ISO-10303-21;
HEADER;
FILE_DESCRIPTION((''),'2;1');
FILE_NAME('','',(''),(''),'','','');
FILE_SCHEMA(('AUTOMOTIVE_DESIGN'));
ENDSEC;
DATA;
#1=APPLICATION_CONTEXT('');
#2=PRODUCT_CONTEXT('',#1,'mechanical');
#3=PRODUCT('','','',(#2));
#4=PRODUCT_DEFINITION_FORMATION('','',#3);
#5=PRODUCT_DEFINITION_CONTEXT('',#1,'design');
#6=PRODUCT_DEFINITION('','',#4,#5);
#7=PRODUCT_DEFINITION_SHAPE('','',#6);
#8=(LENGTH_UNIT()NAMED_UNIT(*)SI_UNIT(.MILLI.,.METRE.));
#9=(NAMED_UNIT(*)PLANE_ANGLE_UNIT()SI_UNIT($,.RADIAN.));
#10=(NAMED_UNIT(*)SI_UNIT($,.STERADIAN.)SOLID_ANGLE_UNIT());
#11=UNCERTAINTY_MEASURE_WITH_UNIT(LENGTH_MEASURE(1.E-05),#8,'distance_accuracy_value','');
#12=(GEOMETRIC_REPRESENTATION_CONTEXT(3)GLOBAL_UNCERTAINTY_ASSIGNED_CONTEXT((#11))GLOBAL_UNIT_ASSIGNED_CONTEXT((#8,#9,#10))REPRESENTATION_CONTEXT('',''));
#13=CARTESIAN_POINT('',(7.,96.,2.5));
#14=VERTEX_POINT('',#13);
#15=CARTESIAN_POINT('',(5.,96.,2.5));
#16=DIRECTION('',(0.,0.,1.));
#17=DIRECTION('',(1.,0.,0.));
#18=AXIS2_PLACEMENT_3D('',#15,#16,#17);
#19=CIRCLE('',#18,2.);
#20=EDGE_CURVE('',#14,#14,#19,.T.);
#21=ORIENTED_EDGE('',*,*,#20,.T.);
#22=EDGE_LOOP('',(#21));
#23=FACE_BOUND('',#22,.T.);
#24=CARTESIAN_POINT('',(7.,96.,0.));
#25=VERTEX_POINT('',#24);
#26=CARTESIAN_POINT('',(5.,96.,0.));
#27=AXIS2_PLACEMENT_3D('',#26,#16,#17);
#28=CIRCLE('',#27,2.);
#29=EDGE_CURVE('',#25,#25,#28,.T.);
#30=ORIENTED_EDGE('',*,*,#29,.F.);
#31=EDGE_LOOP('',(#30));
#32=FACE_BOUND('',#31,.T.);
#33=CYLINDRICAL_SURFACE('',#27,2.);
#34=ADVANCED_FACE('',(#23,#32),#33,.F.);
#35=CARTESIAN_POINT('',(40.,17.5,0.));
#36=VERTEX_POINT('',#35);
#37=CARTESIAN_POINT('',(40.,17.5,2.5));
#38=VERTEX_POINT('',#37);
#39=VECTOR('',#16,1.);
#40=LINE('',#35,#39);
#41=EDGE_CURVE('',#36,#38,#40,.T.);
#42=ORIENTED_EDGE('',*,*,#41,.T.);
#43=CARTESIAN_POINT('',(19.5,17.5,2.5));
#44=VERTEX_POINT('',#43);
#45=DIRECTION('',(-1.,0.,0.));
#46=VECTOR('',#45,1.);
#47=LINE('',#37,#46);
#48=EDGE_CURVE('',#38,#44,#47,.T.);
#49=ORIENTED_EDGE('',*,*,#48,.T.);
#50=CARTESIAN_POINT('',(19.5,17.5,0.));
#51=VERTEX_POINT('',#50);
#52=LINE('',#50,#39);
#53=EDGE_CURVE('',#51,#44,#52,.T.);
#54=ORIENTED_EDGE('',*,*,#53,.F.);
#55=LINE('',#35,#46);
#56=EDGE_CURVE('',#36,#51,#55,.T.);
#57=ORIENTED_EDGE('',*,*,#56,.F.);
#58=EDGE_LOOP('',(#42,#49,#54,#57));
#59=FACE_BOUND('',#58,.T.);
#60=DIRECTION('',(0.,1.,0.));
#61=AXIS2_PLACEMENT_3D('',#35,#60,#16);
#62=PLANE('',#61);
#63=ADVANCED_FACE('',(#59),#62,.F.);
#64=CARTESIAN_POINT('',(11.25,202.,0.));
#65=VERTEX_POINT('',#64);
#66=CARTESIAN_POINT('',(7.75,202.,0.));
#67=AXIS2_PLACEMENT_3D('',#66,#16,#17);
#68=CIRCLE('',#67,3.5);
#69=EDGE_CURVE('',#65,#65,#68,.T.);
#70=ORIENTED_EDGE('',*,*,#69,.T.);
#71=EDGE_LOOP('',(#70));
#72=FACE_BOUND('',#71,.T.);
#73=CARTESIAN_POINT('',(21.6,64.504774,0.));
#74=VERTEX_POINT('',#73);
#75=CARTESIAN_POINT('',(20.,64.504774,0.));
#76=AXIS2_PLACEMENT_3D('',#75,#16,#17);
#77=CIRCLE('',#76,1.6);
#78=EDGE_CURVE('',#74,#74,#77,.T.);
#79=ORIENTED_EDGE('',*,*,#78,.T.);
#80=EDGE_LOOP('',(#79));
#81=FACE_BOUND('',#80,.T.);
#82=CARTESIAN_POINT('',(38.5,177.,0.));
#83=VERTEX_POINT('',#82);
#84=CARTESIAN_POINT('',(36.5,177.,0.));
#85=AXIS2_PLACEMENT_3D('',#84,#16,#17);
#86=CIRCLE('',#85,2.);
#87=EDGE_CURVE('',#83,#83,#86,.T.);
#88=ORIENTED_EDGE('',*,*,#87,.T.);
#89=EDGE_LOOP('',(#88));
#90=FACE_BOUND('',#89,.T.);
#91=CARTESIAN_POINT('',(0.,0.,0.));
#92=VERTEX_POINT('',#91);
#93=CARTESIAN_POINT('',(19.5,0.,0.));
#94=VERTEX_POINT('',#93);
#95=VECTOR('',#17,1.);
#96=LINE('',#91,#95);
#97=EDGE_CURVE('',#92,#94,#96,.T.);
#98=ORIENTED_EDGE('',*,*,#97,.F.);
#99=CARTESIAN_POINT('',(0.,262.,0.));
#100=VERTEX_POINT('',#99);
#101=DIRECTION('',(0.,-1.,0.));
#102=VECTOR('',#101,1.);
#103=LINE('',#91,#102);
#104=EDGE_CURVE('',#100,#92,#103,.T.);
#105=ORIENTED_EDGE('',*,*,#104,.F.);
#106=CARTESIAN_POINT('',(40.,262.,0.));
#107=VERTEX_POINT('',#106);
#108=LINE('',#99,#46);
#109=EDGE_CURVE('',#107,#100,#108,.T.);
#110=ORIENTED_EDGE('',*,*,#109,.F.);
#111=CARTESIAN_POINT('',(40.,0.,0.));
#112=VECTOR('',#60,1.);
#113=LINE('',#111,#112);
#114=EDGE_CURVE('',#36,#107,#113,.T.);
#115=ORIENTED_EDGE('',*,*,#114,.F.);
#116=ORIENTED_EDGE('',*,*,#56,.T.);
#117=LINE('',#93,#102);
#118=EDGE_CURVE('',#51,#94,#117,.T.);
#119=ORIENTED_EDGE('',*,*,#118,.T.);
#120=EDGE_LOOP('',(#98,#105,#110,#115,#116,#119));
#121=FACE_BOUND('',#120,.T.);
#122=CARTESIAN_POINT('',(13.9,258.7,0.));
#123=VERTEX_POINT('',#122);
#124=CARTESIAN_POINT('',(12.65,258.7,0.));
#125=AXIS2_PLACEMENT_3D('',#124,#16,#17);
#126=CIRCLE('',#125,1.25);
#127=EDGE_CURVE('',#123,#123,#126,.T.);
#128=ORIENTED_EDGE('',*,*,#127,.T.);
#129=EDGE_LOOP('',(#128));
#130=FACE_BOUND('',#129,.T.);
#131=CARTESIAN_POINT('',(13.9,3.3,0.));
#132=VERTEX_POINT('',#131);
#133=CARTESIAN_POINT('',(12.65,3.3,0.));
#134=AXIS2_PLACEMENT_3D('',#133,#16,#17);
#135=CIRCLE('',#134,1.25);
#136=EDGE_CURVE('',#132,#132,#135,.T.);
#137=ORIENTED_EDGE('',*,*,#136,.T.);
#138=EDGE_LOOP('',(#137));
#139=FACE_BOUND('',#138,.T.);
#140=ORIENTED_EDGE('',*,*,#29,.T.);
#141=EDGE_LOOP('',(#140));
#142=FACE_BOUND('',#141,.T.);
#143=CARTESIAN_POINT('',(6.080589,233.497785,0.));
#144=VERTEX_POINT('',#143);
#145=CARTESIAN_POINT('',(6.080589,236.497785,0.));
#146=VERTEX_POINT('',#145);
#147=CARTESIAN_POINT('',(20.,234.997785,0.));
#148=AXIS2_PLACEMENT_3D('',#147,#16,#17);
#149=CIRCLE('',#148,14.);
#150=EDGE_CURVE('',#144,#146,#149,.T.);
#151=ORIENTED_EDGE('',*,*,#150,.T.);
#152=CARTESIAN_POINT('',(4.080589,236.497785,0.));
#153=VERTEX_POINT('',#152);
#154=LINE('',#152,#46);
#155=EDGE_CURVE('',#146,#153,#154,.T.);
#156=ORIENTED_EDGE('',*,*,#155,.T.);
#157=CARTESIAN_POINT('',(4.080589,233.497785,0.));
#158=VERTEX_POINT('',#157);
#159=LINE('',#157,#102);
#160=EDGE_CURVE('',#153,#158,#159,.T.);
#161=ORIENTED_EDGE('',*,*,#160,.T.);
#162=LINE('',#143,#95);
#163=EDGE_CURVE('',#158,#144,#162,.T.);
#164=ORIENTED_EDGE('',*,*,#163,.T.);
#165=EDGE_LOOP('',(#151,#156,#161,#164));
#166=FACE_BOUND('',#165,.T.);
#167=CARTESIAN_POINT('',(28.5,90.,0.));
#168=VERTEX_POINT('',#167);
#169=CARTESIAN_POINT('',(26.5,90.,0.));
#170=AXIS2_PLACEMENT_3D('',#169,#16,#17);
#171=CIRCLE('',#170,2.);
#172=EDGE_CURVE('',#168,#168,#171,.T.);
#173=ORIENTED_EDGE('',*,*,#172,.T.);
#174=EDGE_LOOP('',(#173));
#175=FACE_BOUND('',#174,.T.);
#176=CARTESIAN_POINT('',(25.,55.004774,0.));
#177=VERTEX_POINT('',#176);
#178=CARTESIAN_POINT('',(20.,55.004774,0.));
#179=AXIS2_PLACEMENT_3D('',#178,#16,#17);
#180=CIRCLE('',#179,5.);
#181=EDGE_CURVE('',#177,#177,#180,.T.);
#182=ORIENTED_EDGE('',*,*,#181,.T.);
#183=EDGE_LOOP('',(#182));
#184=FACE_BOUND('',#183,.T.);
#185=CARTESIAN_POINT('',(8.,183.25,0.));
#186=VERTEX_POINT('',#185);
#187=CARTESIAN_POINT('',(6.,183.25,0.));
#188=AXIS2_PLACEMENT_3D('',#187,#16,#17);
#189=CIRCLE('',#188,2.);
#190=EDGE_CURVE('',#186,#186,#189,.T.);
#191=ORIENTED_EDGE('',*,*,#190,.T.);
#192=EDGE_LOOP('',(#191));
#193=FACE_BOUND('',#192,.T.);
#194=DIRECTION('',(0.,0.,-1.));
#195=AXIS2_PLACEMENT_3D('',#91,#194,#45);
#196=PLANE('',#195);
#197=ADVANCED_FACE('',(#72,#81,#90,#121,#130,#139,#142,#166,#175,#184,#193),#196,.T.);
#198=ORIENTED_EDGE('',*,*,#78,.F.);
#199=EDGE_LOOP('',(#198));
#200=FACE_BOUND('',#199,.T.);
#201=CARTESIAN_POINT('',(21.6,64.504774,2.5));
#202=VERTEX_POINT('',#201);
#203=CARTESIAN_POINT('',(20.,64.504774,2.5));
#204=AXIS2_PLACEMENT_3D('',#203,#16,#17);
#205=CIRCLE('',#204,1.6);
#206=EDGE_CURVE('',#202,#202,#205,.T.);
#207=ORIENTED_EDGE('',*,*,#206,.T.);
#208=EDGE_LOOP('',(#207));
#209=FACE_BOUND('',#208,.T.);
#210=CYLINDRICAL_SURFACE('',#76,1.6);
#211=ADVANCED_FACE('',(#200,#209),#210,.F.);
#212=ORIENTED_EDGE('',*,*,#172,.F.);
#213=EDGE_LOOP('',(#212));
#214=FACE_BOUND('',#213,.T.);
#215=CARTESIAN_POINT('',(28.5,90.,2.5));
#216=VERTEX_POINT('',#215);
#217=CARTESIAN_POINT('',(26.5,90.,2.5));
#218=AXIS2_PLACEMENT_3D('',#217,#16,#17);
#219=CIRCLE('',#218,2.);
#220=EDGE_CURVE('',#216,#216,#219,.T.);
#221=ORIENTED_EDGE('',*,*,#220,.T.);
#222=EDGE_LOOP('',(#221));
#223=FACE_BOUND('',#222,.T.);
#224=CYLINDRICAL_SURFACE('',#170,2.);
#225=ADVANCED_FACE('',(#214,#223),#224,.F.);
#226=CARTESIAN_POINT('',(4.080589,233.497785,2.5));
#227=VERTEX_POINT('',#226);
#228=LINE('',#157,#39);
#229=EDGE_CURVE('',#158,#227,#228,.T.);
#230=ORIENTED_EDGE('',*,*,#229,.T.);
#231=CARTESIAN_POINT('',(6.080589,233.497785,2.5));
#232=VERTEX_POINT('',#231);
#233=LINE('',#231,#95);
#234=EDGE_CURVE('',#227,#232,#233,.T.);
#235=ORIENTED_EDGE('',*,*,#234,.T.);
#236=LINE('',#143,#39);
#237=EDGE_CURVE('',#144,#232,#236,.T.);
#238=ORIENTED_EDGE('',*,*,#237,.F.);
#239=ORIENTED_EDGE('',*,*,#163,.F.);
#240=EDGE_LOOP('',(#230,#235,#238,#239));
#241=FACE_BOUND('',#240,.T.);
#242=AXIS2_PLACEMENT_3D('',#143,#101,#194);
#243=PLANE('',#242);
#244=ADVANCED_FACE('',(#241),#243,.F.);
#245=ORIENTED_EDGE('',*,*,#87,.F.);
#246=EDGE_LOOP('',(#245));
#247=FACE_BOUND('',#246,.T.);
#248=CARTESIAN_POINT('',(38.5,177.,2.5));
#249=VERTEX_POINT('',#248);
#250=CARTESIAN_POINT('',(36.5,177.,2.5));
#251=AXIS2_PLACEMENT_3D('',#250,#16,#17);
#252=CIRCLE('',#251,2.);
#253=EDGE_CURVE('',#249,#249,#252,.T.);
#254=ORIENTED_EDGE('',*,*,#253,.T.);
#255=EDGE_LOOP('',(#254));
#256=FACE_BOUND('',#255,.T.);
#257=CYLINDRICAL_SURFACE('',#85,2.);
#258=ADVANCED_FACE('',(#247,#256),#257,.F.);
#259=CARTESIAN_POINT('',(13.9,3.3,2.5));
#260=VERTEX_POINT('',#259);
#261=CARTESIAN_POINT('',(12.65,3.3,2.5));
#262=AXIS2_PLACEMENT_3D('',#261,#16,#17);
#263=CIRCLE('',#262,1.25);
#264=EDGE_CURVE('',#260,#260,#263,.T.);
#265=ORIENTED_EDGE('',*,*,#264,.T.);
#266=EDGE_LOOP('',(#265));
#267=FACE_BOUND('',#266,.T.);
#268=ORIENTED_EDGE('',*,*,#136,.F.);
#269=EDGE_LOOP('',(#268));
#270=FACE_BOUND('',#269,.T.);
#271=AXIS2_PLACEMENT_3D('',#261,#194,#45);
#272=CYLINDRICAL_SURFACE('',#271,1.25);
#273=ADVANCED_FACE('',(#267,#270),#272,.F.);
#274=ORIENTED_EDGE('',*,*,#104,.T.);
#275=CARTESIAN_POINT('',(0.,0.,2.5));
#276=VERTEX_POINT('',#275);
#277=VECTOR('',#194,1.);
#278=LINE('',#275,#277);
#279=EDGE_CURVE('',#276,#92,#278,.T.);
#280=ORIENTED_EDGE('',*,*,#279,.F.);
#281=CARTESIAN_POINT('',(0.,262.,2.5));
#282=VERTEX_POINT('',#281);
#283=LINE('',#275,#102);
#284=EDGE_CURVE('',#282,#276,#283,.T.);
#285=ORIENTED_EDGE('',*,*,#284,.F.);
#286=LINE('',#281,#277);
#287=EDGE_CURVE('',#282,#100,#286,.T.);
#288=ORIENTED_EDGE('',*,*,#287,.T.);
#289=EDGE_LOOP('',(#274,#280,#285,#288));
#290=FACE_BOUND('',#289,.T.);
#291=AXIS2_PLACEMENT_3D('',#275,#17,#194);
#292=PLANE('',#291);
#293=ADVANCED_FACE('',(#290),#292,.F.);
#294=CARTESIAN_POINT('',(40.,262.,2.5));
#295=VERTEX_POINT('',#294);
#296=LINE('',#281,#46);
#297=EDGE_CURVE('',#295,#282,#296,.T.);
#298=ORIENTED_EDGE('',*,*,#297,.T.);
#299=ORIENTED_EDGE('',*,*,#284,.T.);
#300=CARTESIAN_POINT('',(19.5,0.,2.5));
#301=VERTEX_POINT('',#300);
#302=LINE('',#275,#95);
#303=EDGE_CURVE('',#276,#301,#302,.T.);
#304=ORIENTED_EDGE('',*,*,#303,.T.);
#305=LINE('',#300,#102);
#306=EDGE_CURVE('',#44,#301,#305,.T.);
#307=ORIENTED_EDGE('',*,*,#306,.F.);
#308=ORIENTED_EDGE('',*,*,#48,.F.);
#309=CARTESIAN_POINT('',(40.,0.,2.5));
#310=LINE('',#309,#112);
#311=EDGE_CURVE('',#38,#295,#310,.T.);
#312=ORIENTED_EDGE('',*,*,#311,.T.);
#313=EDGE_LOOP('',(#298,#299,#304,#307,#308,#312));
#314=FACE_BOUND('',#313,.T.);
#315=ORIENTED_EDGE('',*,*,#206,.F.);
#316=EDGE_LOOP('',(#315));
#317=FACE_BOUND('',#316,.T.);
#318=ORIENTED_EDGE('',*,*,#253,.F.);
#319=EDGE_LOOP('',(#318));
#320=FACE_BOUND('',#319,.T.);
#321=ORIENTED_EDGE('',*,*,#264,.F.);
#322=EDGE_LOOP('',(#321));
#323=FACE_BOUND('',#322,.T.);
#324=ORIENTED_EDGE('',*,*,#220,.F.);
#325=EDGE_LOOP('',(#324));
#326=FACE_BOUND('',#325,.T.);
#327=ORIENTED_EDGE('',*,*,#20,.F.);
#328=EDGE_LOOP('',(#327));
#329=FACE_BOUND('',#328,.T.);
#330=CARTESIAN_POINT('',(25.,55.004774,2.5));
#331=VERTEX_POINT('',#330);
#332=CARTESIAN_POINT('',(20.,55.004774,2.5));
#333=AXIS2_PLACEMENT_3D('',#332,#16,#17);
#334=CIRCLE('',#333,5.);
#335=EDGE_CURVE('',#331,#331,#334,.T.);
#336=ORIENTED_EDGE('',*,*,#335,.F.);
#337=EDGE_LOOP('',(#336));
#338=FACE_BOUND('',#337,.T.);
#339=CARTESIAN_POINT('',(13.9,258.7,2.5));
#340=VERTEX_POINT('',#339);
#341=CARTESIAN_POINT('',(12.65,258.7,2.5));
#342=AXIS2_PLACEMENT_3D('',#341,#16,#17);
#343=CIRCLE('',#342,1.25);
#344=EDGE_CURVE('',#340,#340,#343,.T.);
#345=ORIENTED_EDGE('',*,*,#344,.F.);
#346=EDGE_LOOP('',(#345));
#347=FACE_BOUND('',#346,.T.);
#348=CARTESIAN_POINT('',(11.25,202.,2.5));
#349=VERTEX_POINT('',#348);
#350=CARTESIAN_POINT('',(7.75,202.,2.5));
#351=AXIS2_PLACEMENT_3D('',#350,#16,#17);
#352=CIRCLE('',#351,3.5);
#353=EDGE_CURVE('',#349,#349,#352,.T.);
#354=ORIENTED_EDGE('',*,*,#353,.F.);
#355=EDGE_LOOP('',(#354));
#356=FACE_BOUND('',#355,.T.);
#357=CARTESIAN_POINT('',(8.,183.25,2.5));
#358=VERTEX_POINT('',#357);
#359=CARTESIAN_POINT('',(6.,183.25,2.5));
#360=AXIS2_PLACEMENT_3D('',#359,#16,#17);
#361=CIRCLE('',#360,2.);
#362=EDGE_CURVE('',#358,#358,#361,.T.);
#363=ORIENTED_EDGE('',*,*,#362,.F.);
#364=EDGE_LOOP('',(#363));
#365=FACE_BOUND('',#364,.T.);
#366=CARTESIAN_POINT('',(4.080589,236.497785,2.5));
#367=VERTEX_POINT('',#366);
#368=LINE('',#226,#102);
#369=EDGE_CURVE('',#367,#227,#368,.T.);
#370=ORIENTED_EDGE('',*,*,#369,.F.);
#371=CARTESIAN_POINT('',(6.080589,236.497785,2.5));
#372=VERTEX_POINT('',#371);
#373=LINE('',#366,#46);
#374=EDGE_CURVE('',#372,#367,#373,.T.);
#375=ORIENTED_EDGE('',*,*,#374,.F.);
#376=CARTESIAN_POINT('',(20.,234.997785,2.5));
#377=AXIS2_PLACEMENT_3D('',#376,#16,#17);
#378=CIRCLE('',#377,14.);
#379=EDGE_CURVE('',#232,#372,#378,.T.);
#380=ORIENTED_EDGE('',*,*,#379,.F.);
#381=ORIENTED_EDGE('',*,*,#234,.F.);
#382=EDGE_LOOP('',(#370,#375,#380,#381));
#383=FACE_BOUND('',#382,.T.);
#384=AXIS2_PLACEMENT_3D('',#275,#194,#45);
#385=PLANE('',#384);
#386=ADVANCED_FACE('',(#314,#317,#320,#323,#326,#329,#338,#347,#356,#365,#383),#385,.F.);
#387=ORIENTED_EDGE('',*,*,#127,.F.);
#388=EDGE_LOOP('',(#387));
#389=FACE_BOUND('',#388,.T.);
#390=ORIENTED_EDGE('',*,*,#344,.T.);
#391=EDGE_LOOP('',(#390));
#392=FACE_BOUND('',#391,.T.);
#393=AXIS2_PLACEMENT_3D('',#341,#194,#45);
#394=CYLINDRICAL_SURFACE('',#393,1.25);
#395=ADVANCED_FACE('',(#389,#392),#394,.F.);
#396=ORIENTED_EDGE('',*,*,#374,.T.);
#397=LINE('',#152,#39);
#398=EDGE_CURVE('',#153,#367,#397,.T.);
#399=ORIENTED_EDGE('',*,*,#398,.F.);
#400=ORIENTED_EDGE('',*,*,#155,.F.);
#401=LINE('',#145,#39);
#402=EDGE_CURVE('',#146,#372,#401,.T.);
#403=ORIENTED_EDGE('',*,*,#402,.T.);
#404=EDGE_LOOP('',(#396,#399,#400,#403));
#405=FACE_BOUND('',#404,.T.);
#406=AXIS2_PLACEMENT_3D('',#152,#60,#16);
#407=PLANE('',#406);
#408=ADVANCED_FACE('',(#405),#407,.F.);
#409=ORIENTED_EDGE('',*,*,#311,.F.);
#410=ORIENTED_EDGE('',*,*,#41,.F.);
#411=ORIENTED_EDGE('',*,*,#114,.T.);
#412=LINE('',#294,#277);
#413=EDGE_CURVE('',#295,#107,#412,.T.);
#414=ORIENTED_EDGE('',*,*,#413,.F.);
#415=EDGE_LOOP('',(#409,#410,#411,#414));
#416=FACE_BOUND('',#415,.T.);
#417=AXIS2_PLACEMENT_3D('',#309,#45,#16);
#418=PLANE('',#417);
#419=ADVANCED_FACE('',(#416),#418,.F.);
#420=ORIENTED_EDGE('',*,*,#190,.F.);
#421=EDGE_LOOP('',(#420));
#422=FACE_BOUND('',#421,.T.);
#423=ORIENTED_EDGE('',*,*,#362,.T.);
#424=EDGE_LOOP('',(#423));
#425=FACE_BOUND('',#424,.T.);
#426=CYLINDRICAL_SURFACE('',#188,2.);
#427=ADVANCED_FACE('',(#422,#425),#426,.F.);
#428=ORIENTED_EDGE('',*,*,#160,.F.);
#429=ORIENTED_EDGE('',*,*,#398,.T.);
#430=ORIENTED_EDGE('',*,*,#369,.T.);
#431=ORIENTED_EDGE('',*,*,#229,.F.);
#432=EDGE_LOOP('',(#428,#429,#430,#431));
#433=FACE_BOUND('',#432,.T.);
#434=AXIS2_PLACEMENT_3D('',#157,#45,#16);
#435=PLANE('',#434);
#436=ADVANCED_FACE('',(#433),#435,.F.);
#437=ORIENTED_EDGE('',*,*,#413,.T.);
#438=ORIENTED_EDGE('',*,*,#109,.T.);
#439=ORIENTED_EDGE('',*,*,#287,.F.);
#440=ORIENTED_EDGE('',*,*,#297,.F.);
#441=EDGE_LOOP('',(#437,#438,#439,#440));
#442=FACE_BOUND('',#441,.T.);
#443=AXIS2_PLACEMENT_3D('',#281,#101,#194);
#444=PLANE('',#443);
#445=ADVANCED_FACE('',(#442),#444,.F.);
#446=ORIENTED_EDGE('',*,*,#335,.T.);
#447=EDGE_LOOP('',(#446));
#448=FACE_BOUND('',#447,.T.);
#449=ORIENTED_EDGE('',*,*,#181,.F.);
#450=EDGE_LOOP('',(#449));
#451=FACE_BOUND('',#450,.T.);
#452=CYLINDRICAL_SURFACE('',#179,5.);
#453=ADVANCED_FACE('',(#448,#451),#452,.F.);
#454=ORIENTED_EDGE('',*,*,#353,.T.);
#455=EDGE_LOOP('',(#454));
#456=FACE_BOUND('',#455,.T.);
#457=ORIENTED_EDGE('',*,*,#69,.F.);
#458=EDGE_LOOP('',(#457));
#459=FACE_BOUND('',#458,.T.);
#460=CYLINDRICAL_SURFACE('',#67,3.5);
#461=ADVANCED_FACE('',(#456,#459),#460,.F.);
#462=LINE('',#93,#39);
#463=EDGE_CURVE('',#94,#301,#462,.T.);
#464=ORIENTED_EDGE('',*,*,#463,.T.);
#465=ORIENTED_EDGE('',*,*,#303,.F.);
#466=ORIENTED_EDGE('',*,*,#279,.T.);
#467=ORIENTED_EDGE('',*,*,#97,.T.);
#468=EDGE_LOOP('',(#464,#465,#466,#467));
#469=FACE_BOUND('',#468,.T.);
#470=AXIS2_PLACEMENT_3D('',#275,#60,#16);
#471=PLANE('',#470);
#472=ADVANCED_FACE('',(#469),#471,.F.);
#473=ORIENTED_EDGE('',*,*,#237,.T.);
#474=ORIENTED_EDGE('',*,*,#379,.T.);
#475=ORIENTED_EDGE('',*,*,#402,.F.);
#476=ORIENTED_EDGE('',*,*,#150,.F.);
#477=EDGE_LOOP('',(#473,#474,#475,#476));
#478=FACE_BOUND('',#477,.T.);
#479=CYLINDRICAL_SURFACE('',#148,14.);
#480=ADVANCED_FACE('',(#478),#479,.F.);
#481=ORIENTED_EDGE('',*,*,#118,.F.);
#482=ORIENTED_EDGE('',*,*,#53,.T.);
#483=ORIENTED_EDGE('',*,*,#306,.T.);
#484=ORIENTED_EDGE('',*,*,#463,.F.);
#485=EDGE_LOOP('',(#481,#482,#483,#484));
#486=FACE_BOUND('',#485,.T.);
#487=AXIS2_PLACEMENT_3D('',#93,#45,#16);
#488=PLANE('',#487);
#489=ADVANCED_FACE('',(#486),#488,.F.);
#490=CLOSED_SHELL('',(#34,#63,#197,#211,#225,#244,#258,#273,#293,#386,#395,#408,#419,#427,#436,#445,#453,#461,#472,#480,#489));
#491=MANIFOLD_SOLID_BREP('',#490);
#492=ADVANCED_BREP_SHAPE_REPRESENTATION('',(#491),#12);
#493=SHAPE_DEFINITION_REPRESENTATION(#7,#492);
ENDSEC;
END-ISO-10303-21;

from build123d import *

# Parameters (mm, degrees)
SKETCH1_W           = 40
SKETCH1_H           = 262
SKETCH1_R           = 1.25
BOSS_EXTRUDE1_DEPTH = 2.5
SKETCH2_R           = 5
SKETCH2_R_2         = 1.6
SKETCH2_R_3         = 2
SKETCH2_R_4         = 3.5
CUT_EXTRUDE1_DEPTH  = 3.5
SKETCH3_W           = 20.5
SKETCH3_H           = 17.5
CUT_EXTRUDE2_DEPTH  = 3.5


with BuildPart() as part:
    # Sketch1 → Boss-Extrude1 (new body)
    with BuildSketch(Plane.XY):
        with Locations((20, 131)):
            Rectangle(SKETCH1_W, SKETCH1_H)
        with Locations((12.65, 258.7)):
            Circle(SKETCH1_R, mode=Mode.SUBTRACT)
        with Locations((12.65, 3.3)):
            Circle(SKETCH1_R, mode=Mode.SUBTRACT)
    extrude(amount=BOSS_EXTRUDE1_DEPTH)

    # Sketch2 → Cut-Extrude1 (cut, through all)
    with BuildSketch(Plane.XY.offset(2.5)):
        with Locations((20, 55.004773675)):
            Circle(SKETCH2_R)
        with Locations((20, 64.504773675)):
            Circle(SKETCH2_R_2)
        with Locations((5, 96)):
            Circle(SKETCH2_R_3)
        with Locations((26.5, 90)):
            Circle(SKETCH2_R_3)
        with Locations((36.5, 177)):
            Circle(SKETCH2_R_3)
        with Locations((6, 183.25)):
            Circle(SKETCH2_R_3)
        with Locations((7.75, 202)):
            Circle(SKETCH2_R_4)
        with BuildLine():
            Line((6.080589093, 233.49778539), (4.080589089, 233.49778539))
            Line((4.080589089, 233.49778539), (4.080589089, 236.49778539))
            Line((4.080589089, 236.49778539), (6.080589093, 236.49778539))
            ThreePointArc((6.080589093, 236.49778539), (34, 234.99778539), (6.080589093, 233.49778539))
        make_face()
    extrude(amount=-CUT_EXTRUDE1_DEPTH, mode=Mode.SUBTRACT)

    # Sketch3 → Cut-Extrude2 (cut, through all)
    with BuildSketch(Plane.XY.offset(2.5)):
        with Locations((29.75, 8.75)):
            Rectangle(SKETCH3_W, SKETCH3_H)
    extrude(amount=-CUT_EXTRUDE2_DEPTH, mode=Mode.SUBTRACT)


solid = part.part
